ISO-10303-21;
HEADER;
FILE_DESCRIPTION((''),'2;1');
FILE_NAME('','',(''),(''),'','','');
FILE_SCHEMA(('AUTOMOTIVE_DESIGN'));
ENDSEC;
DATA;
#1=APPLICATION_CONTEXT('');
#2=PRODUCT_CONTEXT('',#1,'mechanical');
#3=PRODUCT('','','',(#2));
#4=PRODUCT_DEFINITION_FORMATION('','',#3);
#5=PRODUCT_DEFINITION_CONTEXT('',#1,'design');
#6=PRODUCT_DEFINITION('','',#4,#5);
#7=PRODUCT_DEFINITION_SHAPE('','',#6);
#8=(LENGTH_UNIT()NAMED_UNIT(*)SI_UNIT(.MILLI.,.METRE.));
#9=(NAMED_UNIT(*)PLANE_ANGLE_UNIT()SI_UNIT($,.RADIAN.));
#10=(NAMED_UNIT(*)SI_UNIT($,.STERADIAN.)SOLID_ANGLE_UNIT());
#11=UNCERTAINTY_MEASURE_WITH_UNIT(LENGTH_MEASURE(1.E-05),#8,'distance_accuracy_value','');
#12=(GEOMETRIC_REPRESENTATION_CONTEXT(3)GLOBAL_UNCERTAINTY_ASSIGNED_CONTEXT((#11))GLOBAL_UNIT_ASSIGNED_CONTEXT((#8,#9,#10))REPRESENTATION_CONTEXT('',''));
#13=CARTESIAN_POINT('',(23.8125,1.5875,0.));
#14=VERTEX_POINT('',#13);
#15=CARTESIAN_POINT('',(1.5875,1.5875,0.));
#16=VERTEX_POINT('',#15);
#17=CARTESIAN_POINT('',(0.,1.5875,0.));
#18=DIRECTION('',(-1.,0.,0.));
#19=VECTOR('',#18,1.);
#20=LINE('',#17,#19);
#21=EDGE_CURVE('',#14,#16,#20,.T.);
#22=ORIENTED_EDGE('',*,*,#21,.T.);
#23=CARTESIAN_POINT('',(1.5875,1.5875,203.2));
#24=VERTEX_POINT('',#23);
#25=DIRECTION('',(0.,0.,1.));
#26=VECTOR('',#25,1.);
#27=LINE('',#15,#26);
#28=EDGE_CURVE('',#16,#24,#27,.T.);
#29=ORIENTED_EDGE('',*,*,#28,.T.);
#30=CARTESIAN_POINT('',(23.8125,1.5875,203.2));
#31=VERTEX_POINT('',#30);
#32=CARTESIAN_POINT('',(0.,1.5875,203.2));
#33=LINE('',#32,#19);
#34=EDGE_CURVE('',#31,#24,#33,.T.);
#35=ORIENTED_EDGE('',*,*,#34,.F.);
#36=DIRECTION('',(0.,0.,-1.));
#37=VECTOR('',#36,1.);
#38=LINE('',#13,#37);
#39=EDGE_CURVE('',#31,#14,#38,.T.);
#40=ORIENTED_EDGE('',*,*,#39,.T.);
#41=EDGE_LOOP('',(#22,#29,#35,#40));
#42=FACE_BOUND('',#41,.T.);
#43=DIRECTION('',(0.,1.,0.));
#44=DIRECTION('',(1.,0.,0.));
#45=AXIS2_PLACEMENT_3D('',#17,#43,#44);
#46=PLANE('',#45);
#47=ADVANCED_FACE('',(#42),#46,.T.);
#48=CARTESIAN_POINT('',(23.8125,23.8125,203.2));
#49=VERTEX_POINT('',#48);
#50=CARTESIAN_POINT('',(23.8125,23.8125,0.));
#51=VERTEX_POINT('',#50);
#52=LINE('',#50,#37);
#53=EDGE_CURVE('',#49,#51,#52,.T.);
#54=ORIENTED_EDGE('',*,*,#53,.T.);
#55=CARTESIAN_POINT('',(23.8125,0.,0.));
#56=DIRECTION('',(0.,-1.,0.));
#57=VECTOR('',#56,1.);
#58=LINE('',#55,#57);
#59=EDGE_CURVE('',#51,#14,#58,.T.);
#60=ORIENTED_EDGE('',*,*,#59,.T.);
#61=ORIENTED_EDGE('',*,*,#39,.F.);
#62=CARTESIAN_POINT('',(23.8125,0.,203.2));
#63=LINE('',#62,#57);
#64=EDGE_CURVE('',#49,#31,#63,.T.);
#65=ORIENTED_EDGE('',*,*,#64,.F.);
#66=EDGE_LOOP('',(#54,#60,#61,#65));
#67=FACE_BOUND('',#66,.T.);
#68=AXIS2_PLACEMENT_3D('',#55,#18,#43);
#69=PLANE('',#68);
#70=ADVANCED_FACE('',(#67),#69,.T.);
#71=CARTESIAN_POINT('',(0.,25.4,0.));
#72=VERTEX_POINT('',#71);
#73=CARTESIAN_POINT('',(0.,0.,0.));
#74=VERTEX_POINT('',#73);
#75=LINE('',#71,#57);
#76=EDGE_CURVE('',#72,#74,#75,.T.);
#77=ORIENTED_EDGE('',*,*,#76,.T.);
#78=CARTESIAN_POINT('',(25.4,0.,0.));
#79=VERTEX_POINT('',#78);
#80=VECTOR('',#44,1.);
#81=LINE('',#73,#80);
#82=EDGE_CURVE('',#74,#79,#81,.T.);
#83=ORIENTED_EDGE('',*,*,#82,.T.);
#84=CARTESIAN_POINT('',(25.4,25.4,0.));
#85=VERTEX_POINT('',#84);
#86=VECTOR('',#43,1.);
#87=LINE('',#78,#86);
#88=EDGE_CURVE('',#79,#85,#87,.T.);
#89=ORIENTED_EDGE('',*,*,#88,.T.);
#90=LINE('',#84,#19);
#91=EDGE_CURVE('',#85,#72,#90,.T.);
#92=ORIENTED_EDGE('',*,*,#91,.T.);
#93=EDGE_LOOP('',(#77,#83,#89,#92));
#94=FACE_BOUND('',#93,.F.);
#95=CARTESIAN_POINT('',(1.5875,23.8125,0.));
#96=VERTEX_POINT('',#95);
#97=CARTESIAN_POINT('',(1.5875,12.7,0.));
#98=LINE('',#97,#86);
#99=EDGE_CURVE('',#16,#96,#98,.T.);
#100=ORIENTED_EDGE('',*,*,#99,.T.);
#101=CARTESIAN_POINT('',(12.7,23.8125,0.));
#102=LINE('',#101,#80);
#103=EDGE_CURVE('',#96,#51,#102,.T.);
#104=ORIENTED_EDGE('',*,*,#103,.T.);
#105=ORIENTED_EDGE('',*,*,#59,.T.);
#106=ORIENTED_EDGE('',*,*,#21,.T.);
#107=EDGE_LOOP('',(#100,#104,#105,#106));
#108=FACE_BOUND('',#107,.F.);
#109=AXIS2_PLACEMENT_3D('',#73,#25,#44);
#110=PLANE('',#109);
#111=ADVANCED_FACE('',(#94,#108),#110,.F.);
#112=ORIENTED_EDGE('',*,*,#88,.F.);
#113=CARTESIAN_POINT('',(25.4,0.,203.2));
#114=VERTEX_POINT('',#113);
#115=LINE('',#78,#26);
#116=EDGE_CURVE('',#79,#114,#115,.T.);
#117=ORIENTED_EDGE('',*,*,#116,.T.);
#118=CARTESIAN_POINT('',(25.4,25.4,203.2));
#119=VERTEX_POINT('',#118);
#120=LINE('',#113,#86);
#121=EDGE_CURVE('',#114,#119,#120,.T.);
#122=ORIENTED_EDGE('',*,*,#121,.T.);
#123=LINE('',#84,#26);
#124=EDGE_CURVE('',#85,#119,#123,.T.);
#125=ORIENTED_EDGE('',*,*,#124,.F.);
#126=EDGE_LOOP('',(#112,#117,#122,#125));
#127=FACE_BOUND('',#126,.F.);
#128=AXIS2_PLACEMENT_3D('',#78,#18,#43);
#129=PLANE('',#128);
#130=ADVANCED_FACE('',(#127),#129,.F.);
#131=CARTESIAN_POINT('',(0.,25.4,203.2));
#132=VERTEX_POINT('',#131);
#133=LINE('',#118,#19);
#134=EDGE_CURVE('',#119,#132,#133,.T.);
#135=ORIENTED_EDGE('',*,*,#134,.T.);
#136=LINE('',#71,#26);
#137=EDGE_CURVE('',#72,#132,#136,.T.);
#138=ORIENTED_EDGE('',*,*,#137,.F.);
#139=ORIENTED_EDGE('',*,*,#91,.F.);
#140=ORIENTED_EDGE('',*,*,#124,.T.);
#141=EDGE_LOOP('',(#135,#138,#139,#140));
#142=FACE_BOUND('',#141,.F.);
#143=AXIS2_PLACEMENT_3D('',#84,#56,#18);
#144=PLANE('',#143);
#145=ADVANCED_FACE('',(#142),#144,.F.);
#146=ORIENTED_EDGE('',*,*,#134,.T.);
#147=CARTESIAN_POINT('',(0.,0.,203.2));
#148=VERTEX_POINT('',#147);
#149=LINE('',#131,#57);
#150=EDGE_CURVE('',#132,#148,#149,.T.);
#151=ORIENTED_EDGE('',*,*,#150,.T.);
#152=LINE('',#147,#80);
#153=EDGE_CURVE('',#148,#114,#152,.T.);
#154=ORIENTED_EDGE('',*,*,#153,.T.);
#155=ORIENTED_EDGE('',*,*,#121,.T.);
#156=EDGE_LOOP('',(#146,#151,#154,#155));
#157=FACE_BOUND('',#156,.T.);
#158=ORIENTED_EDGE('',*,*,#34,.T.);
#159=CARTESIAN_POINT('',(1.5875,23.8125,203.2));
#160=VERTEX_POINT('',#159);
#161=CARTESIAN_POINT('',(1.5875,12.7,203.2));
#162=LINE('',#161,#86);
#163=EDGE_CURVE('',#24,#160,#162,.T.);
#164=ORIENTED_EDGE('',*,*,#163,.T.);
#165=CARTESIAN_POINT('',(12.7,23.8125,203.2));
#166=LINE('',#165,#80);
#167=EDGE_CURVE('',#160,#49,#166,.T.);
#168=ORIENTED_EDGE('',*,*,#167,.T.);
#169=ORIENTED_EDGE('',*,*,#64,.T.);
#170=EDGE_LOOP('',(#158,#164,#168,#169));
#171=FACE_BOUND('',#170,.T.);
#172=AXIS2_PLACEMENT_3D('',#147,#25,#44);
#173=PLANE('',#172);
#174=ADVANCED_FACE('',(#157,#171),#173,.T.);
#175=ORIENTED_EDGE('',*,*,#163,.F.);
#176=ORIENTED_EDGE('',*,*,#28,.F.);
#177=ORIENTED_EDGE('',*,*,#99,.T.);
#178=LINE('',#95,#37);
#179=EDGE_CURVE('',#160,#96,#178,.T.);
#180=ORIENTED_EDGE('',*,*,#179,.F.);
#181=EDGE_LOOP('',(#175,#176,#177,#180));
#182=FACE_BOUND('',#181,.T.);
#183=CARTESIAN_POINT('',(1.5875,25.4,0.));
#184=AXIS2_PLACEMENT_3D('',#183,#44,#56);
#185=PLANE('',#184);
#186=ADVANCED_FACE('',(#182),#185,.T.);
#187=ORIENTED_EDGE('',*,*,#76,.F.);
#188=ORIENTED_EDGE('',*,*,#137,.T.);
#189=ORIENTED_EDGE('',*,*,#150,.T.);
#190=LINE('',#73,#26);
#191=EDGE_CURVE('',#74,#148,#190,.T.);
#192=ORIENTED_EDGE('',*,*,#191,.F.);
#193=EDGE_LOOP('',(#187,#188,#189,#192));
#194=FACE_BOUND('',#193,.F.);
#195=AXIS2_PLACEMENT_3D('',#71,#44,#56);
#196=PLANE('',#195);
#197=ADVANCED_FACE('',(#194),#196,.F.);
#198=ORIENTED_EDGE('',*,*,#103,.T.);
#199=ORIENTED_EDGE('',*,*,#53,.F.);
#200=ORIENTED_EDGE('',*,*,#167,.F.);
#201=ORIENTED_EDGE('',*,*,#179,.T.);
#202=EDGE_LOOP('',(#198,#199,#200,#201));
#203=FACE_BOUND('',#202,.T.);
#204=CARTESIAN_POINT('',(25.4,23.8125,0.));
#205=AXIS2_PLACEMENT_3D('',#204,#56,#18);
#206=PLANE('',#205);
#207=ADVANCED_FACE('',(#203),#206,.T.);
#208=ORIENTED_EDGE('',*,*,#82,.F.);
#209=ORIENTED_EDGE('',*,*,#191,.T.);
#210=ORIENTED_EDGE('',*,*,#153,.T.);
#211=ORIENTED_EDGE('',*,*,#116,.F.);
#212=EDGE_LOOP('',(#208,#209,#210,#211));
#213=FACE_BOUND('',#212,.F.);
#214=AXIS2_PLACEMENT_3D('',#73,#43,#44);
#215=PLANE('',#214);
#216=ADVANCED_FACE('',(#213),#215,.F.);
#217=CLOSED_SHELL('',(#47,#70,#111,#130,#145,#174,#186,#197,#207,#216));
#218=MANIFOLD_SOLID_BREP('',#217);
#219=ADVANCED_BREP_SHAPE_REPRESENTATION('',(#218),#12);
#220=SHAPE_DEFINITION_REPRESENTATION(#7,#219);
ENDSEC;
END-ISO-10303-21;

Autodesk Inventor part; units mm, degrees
ref_plane "YZ Plane" through (0, 0, 0) normal (1, 0, 0) x (0, 1, 0)
ref_plane "XZ Plane" through (0, 0, 0) normal (0, 1, 0) x (-1, 0, 0)
ref_plane "XY Plane" through (0, 0, 0) normal (0, 0, 1) x (1, 0, 0)
sketch "Sketch1" plane through (0, 0, 0) normal (0, 0, 1) x (1, 0, 0)
  line L0 (0, 0) -> (25.4, 0)
  line L1 (25.4, 0) -> (25.4, 25.4)
  line L2 (25.4, 25.4) -> (0, 25.4)
  line L3 (0, 25.4) -> (0, 0)
  dimension "d0" = 25.4
  dimension "d1" = 25.4
extrude "Extrusion1" add sketch "Sketch1" along normal blind 203.2
shell "Shell1" thickness 1.5875 removed faces 2 at (16.9333, 8.4667, 0) at (16.9333, 8.4667, 203.2)
properties part number "Frame_CrossSupport_8in" material "Aluminum-6061"
